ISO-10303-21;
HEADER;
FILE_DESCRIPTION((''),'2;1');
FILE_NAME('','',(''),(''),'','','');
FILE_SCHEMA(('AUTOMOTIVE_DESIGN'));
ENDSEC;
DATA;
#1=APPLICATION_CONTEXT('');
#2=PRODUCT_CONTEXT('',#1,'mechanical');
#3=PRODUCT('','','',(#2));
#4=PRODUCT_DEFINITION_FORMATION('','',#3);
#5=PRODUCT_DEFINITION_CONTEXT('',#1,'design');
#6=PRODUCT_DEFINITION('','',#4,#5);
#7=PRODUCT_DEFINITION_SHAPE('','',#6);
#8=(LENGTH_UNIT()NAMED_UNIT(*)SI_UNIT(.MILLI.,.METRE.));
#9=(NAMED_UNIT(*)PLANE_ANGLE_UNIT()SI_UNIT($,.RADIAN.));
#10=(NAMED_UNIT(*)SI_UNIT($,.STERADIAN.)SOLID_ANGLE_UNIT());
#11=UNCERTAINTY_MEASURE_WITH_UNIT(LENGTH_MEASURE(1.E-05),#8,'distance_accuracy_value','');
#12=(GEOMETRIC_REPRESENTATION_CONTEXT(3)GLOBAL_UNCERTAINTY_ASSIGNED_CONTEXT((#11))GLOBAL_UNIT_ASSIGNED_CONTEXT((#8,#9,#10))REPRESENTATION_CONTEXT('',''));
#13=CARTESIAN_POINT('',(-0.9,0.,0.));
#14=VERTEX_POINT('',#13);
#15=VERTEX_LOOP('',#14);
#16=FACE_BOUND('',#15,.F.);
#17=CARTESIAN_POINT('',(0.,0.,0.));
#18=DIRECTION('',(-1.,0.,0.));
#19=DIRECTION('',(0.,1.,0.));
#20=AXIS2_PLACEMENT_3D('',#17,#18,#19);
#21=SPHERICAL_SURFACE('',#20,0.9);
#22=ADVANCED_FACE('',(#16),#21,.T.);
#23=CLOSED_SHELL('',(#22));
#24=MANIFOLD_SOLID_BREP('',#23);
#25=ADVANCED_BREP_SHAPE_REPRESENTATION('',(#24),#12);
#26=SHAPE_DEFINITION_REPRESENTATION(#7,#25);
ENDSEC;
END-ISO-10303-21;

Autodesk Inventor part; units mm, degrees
sketch "Sketch_1" plane through (0, 0, 0) normal (0, 0, 1) x (1, 0, 0)
  line L0 (0.9, 0) -> (-0.9, 0)
  arc A0 (0.9, 0) -> (-0.9, 0) centre (0, 0) ccw
  line L1 (0.9, 0) -> (-0.9, 0)
revolve "Revolution1" add sketch "Sketch_1" angle 360 about axis through (0.9, 0, 0) along (1, 0, 0)
ref_plane "ip_st_b_XY" through (0, 0, 0) normal (-1, 0, 0) x (0, 0, -1)
ref_plane "ip_st_b_YZ" through (0, 0, 0) normal (0, 0, -1) x (0, -1, 0)
ref_plane "ip_st_b_ZX" through (0, 0, 0) normal (0, -1, 0) x (-1, 0, 0)
properties part number "MR126ZZ Ball"
